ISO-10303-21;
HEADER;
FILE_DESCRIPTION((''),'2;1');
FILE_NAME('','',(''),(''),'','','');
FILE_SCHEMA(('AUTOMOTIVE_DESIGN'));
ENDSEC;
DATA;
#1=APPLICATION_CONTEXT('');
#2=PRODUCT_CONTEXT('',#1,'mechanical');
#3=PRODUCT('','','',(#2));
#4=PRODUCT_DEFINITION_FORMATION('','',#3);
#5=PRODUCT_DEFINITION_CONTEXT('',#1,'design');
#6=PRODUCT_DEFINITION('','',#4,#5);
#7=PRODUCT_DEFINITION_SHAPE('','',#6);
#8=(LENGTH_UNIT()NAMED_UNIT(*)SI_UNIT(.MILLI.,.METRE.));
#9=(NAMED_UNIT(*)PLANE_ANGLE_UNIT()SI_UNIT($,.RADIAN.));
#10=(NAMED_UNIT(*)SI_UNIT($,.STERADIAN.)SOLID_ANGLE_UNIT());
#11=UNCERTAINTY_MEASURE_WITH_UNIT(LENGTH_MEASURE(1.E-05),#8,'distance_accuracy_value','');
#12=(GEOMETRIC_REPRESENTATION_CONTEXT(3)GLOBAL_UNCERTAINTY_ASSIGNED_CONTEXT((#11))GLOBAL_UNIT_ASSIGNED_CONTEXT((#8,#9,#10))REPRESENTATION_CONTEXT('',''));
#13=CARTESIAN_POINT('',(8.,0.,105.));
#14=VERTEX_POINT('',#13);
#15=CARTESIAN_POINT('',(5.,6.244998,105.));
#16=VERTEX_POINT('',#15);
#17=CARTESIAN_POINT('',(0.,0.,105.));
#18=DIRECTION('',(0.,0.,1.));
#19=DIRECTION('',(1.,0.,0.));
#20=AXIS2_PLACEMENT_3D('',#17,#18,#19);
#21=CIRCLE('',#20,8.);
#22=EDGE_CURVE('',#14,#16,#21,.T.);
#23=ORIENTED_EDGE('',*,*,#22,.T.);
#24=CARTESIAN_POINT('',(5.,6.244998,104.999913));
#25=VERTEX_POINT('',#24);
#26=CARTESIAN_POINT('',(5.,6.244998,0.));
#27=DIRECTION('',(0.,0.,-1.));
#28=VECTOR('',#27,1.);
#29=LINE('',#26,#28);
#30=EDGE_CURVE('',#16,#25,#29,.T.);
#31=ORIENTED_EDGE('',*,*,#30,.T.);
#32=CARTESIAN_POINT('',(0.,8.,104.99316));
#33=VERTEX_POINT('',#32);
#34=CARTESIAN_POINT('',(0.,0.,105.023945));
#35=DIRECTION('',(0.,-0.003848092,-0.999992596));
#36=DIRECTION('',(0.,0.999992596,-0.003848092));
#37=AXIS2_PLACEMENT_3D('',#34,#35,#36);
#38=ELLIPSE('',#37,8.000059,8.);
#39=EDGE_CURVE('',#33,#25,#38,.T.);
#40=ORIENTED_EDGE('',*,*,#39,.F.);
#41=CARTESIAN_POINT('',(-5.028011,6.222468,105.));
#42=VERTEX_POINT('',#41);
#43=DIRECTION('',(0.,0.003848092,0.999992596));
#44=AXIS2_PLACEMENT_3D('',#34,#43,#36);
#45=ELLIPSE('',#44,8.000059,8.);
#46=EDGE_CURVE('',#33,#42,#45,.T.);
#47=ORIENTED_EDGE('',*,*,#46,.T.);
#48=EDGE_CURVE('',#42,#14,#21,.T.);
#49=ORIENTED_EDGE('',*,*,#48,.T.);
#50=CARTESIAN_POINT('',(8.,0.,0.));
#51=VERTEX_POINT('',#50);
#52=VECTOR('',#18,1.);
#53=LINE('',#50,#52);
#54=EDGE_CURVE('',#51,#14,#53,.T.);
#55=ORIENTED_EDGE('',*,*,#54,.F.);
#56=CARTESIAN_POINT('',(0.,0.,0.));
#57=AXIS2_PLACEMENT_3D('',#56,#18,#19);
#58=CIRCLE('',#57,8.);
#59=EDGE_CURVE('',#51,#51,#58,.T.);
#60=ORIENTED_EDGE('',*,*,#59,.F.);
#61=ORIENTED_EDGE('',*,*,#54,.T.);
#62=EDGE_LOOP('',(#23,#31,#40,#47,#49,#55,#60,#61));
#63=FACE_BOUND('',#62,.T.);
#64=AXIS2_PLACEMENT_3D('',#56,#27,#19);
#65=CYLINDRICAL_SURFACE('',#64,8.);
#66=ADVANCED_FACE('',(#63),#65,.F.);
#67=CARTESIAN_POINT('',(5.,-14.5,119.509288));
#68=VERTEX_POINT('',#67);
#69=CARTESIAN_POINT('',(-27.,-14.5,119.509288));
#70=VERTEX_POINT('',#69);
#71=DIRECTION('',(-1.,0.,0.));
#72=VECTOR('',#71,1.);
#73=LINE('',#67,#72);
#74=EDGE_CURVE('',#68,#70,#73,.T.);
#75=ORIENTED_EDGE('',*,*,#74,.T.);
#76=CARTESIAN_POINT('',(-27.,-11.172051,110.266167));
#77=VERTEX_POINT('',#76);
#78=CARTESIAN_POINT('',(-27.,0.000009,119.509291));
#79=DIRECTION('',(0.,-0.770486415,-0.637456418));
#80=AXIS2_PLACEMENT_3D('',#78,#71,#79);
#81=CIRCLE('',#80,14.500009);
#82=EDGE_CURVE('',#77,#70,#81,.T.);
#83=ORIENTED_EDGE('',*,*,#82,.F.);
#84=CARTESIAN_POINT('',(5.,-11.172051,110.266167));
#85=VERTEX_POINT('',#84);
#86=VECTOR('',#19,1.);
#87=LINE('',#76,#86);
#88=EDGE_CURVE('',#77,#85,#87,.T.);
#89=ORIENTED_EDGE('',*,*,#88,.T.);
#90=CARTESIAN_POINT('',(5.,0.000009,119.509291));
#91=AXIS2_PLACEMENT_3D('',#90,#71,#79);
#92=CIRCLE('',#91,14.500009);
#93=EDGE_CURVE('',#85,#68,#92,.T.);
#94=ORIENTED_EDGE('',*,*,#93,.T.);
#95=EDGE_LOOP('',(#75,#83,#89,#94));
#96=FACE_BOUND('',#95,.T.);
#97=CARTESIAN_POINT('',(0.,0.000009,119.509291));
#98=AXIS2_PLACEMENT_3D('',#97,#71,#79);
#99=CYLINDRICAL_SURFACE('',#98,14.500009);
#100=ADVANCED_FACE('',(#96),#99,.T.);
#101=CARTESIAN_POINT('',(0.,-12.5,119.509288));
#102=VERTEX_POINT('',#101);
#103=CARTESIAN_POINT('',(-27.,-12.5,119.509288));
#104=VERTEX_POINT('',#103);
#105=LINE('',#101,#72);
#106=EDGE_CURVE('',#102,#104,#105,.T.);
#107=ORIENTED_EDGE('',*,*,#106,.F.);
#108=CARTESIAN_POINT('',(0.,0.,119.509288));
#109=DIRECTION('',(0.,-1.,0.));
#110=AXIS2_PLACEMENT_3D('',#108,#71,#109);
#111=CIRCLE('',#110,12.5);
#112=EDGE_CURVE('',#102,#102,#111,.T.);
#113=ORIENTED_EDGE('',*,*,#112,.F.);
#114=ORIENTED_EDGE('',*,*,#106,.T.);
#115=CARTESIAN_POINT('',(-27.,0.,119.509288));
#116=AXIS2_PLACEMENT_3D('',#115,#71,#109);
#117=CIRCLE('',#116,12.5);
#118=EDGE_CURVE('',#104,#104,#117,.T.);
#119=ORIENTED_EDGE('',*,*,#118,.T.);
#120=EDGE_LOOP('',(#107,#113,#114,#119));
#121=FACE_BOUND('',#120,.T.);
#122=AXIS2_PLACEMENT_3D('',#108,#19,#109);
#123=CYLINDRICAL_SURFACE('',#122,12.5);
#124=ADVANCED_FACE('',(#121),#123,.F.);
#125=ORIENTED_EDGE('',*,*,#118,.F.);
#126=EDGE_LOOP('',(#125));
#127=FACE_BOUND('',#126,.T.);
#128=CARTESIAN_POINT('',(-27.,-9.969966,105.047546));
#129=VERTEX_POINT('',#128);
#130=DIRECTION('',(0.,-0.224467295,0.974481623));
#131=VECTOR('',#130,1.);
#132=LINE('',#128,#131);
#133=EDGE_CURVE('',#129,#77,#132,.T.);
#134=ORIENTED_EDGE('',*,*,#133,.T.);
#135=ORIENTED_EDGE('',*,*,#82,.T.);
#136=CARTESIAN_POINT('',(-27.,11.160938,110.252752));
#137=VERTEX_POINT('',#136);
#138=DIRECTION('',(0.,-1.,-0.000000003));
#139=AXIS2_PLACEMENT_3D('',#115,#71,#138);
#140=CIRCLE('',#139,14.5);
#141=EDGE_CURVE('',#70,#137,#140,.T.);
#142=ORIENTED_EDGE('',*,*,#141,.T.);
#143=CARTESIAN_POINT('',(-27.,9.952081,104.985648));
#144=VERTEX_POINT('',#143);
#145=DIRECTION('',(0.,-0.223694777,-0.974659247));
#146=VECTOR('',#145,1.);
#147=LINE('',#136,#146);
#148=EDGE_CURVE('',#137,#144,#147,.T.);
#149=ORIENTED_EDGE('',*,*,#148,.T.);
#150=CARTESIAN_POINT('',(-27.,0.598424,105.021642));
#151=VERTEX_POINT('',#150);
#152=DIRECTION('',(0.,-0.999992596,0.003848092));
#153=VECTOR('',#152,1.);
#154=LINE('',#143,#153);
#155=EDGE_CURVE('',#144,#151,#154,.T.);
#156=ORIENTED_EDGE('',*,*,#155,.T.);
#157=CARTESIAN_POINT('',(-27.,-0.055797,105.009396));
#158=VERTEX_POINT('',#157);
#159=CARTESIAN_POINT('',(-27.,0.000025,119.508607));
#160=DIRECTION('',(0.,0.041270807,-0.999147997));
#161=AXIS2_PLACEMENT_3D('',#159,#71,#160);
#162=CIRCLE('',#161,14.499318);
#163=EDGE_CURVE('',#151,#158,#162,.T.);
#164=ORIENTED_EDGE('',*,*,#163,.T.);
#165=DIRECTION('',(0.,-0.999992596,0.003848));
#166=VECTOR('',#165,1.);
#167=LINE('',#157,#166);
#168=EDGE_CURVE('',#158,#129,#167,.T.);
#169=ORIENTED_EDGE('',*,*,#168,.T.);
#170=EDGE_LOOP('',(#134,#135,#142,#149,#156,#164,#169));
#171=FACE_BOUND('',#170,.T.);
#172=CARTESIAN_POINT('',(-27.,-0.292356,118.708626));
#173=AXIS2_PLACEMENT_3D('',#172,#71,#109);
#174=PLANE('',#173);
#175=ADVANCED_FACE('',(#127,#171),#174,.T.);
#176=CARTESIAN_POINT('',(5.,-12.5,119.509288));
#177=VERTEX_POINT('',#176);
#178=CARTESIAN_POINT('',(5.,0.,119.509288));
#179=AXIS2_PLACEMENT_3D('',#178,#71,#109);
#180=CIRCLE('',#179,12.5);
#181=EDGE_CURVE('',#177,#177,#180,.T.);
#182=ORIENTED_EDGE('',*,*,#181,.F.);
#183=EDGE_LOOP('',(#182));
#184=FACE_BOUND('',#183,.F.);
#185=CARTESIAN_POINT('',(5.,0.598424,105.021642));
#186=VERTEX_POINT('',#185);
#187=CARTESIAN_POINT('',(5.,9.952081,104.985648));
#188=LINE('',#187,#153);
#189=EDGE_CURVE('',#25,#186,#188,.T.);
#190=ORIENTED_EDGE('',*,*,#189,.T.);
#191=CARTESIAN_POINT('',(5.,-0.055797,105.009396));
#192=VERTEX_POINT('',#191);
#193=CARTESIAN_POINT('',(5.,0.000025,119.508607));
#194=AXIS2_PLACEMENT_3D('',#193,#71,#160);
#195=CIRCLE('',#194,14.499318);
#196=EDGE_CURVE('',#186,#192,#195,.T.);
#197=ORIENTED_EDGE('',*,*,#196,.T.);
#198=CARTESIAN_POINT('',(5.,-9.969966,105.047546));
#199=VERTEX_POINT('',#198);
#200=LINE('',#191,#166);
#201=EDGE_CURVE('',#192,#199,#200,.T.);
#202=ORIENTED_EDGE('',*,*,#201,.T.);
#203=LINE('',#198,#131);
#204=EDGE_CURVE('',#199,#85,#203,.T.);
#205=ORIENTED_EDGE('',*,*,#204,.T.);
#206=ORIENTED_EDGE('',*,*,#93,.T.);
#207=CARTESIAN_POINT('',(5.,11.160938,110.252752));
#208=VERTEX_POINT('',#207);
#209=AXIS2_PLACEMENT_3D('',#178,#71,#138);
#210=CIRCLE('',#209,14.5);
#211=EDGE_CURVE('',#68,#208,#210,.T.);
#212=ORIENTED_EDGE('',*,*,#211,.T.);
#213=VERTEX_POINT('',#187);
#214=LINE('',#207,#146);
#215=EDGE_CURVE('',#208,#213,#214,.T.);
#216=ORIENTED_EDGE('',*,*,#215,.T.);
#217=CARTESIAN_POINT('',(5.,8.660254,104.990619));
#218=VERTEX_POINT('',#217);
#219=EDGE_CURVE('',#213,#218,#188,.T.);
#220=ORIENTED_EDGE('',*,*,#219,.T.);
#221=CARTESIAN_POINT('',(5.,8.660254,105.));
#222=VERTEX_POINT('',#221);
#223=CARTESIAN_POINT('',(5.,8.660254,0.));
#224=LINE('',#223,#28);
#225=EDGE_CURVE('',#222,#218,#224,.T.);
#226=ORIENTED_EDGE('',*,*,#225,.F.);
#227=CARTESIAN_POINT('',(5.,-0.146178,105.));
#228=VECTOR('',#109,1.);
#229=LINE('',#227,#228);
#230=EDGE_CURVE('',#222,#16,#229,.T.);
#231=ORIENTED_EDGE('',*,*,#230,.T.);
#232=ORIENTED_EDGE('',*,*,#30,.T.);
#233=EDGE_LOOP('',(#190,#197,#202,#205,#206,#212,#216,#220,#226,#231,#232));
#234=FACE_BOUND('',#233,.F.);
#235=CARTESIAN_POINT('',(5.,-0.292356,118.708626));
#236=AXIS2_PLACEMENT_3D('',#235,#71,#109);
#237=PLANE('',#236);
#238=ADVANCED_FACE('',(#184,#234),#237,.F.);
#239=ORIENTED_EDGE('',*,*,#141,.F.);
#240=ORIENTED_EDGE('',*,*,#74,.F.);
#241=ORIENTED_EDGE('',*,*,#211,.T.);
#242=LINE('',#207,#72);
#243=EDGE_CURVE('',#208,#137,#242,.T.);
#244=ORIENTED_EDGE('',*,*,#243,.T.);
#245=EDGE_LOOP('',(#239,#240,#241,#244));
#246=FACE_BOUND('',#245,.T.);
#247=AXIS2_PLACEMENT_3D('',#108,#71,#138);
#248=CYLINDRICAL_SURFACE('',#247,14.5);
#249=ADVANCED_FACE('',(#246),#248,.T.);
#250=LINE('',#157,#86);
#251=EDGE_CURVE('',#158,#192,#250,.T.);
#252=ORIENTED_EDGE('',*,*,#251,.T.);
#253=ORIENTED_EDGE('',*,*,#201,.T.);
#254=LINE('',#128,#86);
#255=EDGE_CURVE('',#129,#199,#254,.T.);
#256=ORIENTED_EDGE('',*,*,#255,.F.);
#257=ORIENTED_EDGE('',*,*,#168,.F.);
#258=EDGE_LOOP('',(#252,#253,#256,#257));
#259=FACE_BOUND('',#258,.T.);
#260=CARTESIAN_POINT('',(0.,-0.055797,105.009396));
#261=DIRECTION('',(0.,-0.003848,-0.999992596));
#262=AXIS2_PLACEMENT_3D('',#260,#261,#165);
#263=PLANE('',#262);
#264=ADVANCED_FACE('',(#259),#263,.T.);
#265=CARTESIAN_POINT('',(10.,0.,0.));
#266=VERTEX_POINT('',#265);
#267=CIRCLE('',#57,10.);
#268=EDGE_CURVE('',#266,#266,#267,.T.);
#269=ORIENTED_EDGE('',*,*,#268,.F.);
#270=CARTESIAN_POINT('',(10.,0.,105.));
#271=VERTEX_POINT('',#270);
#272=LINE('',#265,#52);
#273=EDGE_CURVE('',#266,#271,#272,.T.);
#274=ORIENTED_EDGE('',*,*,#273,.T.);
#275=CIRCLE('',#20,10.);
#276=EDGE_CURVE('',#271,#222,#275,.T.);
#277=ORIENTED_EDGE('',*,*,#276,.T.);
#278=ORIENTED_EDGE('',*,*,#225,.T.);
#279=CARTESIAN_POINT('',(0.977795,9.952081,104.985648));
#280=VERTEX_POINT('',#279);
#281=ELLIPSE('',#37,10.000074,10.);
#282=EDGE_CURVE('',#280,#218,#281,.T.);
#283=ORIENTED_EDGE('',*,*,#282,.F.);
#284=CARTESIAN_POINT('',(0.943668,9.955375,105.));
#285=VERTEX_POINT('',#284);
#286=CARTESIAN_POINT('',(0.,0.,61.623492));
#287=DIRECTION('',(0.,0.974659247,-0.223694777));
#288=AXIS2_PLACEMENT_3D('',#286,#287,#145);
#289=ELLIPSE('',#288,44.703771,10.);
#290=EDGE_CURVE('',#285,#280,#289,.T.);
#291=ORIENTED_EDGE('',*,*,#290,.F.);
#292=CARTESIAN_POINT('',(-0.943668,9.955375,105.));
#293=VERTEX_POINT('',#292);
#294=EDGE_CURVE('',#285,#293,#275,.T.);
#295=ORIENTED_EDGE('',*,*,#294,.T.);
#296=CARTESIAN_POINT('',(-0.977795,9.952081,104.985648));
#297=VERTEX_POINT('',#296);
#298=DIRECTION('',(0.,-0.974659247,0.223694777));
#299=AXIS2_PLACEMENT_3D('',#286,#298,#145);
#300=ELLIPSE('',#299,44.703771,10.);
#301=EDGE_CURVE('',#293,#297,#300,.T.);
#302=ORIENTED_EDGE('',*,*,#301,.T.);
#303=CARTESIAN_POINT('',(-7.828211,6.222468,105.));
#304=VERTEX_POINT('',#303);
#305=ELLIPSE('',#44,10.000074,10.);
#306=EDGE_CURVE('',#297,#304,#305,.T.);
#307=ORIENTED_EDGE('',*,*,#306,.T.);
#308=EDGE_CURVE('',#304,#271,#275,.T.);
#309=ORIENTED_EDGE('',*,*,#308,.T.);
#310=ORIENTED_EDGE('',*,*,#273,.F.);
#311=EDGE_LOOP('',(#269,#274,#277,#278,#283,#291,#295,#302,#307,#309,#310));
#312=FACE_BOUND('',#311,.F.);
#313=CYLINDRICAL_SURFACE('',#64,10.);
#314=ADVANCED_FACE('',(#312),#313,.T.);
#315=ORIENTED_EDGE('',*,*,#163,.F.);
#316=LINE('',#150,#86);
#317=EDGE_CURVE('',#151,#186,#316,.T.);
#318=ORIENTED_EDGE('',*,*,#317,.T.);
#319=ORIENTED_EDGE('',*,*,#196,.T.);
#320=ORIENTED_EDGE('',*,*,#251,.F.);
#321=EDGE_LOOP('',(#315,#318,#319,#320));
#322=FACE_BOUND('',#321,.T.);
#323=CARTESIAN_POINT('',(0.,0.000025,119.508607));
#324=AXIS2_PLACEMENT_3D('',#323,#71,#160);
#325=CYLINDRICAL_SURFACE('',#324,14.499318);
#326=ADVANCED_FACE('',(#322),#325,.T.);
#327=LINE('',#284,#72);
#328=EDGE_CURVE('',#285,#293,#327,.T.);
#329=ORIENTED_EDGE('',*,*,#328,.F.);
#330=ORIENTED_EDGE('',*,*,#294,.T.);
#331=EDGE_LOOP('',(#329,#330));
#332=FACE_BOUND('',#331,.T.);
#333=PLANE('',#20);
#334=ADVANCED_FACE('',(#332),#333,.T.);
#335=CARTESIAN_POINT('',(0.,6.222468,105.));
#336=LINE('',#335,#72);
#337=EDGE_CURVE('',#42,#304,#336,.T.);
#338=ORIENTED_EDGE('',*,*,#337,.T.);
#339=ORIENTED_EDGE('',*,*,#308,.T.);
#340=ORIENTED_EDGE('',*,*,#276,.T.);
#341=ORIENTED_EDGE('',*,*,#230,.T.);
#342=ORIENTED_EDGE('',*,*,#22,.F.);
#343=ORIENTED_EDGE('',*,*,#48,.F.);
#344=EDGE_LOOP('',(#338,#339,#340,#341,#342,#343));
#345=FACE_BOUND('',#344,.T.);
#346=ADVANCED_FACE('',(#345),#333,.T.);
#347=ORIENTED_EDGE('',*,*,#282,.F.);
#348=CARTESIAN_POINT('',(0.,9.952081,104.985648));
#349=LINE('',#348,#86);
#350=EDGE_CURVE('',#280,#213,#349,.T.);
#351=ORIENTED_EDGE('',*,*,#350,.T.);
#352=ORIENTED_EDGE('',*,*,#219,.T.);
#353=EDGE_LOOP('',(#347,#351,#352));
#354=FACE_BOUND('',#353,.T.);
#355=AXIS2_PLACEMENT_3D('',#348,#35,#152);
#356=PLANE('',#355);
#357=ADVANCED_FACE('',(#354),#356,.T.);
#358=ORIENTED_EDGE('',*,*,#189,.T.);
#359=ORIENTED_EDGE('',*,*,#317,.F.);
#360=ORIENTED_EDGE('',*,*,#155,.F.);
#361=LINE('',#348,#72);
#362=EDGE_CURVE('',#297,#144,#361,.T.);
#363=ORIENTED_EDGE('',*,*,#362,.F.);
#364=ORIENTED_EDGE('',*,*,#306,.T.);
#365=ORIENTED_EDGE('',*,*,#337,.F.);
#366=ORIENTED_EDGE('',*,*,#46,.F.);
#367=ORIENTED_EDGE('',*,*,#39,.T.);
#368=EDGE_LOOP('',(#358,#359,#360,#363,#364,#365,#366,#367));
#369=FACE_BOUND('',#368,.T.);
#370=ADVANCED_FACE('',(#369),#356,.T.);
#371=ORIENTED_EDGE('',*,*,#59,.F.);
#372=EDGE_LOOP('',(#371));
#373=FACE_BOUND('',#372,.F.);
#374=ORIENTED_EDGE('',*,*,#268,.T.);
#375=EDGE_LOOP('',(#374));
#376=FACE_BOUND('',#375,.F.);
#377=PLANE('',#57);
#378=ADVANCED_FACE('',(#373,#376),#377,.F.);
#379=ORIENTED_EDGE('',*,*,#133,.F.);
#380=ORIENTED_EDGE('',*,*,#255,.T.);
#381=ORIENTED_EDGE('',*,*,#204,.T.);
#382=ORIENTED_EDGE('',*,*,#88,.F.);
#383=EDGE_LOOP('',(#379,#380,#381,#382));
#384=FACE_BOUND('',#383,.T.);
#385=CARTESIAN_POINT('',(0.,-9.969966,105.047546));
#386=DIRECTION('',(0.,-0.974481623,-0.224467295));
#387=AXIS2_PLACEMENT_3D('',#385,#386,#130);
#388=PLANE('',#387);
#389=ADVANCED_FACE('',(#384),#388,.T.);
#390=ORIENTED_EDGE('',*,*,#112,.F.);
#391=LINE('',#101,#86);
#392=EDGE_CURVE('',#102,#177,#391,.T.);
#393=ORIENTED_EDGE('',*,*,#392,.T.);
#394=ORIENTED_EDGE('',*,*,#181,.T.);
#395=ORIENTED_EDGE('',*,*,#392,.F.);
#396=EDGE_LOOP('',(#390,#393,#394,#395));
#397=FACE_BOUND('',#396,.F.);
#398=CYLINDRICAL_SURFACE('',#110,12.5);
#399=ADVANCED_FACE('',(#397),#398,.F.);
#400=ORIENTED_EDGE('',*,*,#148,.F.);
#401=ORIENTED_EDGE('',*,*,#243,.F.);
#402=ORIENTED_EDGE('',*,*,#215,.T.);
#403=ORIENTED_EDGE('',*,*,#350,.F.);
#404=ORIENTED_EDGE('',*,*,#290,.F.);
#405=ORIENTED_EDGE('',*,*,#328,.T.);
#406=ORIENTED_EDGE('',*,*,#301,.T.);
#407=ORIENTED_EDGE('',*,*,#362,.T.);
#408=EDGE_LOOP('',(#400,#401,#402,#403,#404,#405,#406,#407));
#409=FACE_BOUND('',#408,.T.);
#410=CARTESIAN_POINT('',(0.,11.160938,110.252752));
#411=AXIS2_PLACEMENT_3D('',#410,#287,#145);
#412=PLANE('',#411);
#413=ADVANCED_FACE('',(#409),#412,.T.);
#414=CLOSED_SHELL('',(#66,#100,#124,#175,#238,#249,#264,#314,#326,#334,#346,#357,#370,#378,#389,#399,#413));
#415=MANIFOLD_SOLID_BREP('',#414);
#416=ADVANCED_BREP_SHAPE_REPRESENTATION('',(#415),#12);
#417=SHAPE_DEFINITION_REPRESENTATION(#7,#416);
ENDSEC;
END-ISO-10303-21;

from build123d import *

# Parameters (mm, degrees)
F0_R          = 10
F0_R_2        = 8
F1_DEPTH      = 105
F3_R          = 12.5
F4_DEPTH      = 27
F4_DEPTH_BACK = 5


with BuildPart() as f1:
    # F0 (on Top) → F1 (new body)
    with BuildSketch(Plane.XY):
        Circle(F0_R)
        Circle(F0_R_2, mode=Mode.SUBTRACT)
    extrude(amount=F1_DEPTH)

    # F3 (on face) → F4 (join, two sides)
    with BuildSketch(Plane(origin=(0, 0, 0), x_dir=(0, -1, 0), z_dir=(-1, 0, 0))) as f4_sk:
        with BuildLine():
            ThreePointArc((11.172051, 110.266167), (13.642667, 114.5973), (14.5, 119.509288))
            ThreePointArc((14.5, 119.509288), (-4.920183, 133.149002), (-11.160938, 110.252752))
            ThreePointArc((-11.160938, 110.252752), (-6.435198, 106.515512), (-0.598424, 105.021642))
            ThreePointArc((-0.598424, 105.021642), (-0.271382, 105.011828), (0.055797, 105.009396))
            ThreePointArc((0.055797, 105.009396), (6.198754, 106.401068), (11.172051, 110.266167))
        make_face()
        with Locations((0, 119.509288)):
            Circle(F3_R, mode=Mode.SUBTRACT)
        with BuildLine():
            ThreePointArc((-0.598424, 105.021642), (-6.435198, 106.515512), (-11.160938, 110.252752))
            Line((-11.160938, 110.252752), (-9.952081, 104.985648))
            Line((-9.952081, 104.985648), (-0.598424, 105.021642))
        make_face()
        with BuildLine():
            Line((9.969966, 105.047546), (11.172051, 110.266167))
            ThreePointArc((11.172051, 110.266167), (6.198754, 106.401068), (0.055797, 105.009396))
            Line((0.055797, 105.009396), (9.969966, 105.047546))
        make_face()
    extrude(amount=F4_DEPTH)
    extrude(f4_sk.sketch, amount=-F4_DEPTH_BACK)


solid = f1.part
